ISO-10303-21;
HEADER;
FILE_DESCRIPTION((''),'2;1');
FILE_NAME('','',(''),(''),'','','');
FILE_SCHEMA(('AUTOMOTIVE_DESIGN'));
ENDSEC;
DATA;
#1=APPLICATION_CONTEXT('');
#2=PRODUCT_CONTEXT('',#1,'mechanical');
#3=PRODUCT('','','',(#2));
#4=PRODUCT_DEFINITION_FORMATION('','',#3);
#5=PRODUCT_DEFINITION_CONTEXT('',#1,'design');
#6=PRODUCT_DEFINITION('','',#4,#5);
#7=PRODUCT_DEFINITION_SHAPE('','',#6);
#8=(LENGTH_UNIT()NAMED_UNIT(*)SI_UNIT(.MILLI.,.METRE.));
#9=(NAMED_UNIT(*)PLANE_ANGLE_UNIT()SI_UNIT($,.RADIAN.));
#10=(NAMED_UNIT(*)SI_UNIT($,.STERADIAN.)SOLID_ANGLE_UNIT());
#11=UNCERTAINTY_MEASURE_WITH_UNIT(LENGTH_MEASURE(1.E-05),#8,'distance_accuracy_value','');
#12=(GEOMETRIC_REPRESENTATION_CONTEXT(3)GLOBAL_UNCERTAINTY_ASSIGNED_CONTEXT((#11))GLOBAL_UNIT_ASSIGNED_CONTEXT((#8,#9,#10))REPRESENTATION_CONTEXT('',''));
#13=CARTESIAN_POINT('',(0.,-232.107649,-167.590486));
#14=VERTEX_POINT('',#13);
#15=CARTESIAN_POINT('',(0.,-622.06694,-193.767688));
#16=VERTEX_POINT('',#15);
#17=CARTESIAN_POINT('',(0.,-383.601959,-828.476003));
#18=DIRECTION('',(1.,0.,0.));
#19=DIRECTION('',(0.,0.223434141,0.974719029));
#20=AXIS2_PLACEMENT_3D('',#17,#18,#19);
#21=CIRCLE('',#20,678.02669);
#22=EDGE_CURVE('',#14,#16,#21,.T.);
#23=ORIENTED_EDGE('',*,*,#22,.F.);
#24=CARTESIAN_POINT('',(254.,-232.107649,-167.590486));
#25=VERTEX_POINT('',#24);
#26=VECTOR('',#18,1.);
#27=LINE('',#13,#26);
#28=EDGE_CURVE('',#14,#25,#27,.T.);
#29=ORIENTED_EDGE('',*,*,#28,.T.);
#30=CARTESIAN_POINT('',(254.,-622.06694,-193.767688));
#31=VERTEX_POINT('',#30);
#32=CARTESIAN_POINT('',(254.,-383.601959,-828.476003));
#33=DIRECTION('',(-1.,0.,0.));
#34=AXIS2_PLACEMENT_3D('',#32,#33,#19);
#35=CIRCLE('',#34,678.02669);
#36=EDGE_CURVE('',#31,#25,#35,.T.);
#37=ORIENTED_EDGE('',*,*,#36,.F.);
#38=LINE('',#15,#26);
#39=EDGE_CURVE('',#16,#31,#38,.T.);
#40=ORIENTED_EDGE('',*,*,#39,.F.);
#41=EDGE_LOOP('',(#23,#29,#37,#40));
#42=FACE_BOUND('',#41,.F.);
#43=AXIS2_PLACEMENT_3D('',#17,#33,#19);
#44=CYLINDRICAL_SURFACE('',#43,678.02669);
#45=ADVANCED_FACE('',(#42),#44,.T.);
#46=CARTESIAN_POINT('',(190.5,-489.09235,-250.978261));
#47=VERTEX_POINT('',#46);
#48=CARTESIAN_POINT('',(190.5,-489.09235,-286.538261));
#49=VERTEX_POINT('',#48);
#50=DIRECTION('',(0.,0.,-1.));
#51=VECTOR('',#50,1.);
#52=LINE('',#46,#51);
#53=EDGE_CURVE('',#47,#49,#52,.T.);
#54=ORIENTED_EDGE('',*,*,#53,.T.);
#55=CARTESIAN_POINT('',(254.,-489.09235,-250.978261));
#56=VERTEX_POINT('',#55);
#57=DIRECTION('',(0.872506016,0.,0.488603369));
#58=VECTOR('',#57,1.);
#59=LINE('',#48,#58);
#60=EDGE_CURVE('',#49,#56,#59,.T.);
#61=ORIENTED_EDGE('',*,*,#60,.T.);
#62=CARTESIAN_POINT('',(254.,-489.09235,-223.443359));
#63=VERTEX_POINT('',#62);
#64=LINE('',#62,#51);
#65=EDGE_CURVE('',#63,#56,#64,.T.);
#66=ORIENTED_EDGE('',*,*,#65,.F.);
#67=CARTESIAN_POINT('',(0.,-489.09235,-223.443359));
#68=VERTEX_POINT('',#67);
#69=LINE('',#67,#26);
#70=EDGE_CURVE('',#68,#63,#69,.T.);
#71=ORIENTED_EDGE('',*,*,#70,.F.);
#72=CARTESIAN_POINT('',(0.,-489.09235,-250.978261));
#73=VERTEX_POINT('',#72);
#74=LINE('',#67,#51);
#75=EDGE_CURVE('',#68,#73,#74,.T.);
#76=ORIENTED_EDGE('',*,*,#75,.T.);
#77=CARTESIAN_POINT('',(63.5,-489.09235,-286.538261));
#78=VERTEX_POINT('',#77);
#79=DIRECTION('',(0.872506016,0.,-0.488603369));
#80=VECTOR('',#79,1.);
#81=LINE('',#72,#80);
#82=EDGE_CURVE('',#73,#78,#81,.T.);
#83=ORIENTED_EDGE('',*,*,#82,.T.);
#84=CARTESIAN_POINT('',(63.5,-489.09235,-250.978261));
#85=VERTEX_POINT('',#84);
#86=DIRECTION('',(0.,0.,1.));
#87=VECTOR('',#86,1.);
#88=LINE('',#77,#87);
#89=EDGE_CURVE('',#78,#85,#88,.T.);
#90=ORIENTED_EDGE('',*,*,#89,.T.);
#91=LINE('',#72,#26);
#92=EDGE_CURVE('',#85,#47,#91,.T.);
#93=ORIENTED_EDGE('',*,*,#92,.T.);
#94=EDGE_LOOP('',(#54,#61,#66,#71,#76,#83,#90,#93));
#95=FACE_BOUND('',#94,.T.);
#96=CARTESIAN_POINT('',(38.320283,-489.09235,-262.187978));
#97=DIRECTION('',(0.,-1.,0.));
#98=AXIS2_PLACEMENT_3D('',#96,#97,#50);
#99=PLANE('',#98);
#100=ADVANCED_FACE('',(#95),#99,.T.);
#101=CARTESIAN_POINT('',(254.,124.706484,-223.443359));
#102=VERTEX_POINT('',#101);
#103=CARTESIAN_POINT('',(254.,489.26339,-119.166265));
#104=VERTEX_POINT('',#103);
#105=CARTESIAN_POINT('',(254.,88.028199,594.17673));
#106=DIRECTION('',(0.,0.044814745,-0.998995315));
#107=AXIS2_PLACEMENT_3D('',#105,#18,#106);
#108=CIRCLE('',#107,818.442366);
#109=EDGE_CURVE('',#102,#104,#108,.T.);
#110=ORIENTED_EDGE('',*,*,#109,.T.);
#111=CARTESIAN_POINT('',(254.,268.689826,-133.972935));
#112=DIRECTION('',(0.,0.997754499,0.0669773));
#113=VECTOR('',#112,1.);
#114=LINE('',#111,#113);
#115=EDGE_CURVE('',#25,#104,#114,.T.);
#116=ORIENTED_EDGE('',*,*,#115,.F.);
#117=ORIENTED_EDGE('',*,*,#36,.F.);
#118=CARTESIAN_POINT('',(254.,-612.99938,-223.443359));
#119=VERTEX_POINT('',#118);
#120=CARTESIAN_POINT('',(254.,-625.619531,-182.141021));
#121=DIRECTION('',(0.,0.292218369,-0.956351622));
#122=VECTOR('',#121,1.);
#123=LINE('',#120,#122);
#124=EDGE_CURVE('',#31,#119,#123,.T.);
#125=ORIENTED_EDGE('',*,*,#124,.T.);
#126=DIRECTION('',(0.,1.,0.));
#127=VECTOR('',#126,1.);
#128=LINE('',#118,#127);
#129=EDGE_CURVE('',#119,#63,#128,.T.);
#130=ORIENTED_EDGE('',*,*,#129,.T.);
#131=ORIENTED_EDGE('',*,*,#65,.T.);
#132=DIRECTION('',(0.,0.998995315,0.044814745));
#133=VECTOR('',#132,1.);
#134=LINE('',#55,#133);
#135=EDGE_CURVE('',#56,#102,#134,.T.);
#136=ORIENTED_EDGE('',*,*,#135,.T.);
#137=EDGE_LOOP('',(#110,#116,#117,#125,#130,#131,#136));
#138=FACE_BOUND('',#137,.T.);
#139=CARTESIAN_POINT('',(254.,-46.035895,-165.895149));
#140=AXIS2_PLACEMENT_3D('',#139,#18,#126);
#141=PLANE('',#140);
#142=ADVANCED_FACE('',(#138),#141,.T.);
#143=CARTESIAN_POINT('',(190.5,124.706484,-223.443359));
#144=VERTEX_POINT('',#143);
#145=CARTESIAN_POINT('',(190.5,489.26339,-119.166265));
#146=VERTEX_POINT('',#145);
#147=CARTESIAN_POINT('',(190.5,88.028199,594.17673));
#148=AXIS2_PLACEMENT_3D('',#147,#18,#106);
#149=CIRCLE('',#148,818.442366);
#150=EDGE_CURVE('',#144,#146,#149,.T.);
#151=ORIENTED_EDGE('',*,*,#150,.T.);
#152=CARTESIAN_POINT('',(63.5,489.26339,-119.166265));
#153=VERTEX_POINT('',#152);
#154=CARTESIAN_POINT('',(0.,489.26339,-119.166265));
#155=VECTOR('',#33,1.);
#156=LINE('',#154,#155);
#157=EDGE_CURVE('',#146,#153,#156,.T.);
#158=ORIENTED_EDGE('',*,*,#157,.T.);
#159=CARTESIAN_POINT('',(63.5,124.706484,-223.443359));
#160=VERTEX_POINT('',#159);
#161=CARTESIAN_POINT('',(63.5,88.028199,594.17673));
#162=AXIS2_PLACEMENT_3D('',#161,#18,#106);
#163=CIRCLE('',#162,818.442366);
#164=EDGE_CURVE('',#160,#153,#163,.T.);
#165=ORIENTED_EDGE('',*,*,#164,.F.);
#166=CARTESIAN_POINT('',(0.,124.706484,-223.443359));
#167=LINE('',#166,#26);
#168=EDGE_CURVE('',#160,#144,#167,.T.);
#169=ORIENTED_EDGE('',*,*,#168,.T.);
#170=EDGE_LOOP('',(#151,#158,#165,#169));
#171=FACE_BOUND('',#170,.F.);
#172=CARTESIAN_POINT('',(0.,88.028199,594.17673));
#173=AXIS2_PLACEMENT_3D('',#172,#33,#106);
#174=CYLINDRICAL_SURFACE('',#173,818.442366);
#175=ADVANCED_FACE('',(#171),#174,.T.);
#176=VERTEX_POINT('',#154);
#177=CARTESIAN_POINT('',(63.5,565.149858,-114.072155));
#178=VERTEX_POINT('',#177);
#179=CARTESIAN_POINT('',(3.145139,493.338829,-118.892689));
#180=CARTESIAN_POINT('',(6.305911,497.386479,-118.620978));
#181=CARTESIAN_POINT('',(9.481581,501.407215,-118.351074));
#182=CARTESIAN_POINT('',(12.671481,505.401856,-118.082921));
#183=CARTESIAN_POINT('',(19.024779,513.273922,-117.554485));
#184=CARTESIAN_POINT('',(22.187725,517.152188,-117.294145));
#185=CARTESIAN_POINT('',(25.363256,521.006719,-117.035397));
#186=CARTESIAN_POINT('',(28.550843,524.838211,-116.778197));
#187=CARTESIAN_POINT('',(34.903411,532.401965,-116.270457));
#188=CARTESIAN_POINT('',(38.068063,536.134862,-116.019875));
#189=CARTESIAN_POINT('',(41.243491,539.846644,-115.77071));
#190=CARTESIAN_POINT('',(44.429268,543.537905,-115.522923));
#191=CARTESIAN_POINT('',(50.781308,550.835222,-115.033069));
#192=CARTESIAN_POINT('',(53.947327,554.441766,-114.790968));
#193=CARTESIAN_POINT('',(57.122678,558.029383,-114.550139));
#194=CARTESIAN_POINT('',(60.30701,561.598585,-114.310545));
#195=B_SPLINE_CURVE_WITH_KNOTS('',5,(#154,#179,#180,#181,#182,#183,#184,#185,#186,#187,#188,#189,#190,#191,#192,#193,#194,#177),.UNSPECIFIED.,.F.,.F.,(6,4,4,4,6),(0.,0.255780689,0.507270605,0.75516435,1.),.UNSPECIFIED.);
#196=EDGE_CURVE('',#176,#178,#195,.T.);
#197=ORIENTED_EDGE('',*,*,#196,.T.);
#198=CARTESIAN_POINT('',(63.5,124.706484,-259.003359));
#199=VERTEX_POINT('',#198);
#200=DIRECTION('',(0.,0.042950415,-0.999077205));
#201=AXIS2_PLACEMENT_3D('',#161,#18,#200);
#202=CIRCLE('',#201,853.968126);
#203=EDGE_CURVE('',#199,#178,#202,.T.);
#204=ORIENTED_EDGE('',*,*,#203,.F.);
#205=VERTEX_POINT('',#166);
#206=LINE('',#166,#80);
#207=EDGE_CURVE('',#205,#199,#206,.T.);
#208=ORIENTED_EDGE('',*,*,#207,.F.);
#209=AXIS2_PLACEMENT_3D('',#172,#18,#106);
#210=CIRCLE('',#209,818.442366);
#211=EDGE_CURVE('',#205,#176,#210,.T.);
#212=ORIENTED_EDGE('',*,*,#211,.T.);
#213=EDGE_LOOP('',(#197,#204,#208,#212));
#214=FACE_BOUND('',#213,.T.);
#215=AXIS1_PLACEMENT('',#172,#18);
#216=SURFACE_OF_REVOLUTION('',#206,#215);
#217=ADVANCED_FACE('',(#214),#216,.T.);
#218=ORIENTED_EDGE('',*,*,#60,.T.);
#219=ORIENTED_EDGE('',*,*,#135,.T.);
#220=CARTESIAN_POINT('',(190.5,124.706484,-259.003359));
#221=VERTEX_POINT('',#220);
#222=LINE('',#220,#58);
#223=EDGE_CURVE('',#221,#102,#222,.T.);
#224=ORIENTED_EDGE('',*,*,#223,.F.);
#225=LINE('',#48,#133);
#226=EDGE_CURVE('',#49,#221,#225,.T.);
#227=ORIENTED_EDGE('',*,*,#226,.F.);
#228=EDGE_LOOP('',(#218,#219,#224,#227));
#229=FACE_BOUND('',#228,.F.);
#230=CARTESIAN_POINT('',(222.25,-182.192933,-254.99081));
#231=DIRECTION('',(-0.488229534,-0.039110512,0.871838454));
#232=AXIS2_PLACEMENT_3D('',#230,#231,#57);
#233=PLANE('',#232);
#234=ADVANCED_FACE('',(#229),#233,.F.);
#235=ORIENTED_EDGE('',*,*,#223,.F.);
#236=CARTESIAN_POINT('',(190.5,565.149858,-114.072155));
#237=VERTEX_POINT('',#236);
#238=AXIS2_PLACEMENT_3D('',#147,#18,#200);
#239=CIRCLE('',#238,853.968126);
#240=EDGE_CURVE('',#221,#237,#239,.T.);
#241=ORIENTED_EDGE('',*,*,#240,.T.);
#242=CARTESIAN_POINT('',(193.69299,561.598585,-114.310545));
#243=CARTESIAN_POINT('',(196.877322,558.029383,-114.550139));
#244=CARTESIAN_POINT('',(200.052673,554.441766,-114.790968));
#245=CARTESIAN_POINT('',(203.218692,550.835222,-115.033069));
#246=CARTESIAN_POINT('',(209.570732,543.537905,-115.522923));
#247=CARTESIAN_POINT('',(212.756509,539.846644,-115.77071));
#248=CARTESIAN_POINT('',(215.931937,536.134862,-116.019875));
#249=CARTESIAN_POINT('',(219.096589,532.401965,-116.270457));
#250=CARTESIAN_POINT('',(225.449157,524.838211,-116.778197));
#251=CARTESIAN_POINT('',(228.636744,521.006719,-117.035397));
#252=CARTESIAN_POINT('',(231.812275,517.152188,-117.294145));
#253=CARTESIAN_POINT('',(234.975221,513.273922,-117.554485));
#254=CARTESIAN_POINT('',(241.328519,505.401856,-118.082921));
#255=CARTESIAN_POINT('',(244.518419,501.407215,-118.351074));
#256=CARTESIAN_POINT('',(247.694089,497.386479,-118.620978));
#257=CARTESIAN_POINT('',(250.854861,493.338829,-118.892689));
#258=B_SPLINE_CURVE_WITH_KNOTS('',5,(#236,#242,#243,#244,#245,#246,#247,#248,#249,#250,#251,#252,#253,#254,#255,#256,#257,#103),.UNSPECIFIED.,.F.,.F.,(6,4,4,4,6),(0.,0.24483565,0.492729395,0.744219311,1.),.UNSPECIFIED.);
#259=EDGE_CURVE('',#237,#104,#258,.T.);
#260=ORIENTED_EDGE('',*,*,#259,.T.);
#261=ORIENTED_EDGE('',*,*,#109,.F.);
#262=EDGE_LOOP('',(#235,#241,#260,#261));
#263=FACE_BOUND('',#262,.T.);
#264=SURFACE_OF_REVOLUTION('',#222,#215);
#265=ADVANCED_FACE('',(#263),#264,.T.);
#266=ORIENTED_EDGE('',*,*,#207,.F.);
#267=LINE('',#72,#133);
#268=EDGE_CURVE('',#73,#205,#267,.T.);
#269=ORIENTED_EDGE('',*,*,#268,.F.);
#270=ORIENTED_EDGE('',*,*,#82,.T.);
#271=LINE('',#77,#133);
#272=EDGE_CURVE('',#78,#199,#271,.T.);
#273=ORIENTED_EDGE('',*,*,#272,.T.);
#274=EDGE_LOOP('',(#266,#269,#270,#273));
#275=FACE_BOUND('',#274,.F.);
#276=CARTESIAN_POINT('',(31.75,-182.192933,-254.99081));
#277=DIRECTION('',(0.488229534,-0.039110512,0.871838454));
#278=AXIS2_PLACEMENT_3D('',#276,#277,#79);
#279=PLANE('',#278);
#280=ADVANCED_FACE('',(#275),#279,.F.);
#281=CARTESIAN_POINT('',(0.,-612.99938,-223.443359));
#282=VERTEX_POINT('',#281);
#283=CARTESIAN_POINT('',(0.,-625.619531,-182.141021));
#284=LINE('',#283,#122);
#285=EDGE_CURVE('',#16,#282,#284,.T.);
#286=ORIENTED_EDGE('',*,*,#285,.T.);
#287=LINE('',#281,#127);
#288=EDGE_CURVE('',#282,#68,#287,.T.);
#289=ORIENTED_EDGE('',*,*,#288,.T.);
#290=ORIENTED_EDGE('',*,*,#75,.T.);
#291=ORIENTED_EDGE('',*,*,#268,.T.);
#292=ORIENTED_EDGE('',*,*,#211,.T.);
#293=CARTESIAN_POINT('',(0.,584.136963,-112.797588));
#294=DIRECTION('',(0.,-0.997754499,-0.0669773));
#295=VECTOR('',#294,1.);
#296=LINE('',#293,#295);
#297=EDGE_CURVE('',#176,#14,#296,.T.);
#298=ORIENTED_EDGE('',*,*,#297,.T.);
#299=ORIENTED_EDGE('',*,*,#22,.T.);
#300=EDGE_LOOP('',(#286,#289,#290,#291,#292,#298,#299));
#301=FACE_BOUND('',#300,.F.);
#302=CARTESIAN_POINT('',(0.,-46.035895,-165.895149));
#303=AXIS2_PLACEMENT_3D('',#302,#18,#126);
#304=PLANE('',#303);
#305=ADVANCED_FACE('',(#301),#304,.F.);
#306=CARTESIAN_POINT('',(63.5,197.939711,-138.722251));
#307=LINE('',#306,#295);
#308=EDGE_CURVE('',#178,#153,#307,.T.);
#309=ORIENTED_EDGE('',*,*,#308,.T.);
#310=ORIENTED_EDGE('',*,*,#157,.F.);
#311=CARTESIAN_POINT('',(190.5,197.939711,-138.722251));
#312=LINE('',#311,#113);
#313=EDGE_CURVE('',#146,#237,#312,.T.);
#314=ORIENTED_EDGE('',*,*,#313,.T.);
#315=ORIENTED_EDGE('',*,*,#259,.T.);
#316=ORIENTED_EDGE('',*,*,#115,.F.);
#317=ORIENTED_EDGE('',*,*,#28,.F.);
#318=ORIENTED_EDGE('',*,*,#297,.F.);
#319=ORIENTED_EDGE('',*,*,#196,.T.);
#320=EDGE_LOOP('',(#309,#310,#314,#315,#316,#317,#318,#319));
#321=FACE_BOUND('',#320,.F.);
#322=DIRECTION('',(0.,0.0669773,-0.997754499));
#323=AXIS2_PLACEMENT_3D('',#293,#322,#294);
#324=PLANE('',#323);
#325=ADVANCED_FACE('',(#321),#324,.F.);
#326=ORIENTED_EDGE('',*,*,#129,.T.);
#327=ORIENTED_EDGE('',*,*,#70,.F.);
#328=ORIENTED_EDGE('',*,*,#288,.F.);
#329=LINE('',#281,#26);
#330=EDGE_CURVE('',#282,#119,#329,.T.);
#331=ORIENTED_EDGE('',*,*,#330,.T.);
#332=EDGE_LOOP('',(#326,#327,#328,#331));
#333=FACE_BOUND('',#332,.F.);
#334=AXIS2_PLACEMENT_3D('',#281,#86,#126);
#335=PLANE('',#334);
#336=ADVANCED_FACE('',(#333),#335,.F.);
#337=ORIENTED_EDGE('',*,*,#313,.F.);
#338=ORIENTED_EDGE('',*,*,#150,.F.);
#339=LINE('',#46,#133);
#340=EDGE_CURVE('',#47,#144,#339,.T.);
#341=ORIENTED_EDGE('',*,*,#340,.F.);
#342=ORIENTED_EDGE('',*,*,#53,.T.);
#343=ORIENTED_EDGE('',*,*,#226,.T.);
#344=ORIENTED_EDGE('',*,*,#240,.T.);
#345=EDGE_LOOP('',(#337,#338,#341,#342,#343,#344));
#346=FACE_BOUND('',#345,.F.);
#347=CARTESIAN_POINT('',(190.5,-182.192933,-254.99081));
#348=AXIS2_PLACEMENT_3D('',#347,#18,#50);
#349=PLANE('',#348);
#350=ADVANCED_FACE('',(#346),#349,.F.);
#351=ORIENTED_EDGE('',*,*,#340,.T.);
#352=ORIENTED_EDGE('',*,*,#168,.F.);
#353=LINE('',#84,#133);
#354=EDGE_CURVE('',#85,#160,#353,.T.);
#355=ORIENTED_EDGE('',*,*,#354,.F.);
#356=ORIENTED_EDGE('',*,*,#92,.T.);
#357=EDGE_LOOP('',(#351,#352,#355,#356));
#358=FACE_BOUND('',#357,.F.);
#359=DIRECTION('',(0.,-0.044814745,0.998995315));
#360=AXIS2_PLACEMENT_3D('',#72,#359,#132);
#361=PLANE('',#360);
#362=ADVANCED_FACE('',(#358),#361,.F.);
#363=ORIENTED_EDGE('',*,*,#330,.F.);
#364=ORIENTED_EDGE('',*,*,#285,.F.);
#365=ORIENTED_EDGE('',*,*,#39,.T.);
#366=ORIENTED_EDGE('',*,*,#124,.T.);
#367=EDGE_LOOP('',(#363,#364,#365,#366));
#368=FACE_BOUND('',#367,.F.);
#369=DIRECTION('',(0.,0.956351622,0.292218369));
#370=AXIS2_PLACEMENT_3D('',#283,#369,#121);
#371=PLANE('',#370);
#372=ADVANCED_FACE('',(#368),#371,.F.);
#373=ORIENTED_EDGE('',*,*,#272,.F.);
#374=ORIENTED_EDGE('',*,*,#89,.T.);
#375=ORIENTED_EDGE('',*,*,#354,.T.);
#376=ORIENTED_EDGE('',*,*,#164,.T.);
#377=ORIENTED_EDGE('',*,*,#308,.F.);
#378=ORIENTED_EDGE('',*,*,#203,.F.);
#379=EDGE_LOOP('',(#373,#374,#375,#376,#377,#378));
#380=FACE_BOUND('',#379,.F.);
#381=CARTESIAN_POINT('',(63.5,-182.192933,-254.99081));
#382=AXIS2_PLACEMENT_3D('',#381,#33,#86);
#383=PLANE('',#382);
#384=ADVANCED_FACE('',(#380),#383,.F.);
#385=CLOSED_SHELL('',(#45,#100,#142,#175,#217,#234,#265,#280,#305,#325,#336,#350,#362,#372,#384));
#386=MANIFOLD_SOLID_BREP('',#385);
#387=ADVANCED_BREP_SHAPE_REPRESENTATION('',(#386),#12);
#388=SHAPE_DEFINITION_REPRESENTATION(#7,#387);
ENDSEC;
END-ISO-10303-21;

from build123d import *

# Parameters (mm, degrees)
F1_DEPTH = 254
F5_DEPTH = 307.34


with BuildPart() as f1:
    # F0 (on Right) → F1 (new body)
    with BuildSketch(Plane.YZ):
        with BuildLine():
            ThreePointArc((124.7064843774, -223.4433591366), (347.4699832399, -182.0563968003), (550.3501296043, -81.1797231436))
            Line((550.3501296043, -81.1797231436), (-238.9836609364, -132.8076571226))
            ThreePointArc((-238.9836609364, -132.8076571226), (-435.8096530096, -129.9809624391), (-625.6195306778, -182.1410208941))
            Line((-625.6195306778, -182.1410208941), (-612.9993796349, -223.4433591366))
            Line((-612.9993796349, -223.4433591366), (-489.0923500061, -223.4433591366))
            Line((-489.0923500061, -223.4433591366), (-489.0923500061, -250.9782612324))
            Line((-489.0923500061, -250.9782612324), (124.7064843774, -223.4433591366))
        make_face()
    extrude(amount=F1_DEPTH)

    # F3: sweep along a path in F3_path
    with BuildLine(Plane(origin=(0, 124.7064843774, -223.4433591366), x_dir=(0, 0, -1), z_dir=(-1, 0, 0))) as f3_path:
        Line((27.5349020958, 613.7988343835), (0, 0))
        ThreePointArc((0, 0), (-41.3869623363, -222.7634988625), (-142.263635993, -425.643645227))
    # F2 (on face) → F3 (sweep)
    with BuildSketch(Plane.XZ.offset(489.0923500061)):
        Polygon((63.5, -286.5382612324), (63.5, -250.9782612324), (0, -250.9782612324), align=None)
        Polygon((254, -250.9782612324), (190.5, -250.9782612324), (190.5, -286.5382612324), align=None)
    sweep(path=f3_path.line)

    # F4 (on face) → F5 (cut)
    with BuildSketch(Plane(origin=(0, 0, 0), x_dir=(0, -1, 0), z_dir=(-1, 0, 0))):
        with BuildLine():
            Line((622.0669402345, -193.7676877722), (640.6544446945, -195.0154304504))
            Line((640.6544446945, -195.0154304504), (549.1129755974, -11.9324130937))
            Line((549.1129755974, -11.9324130937), (-511.2428665161, 10.9529634938))
            Line((-511.2428665161, 10.9529634938), (-584.1369628906, -112.79758811))
            Line((-584.1369628906, -112.79758811), (232.107648548, -167.5904861977))
            ThreePointArc((232.107648548, -167.5904861977), (429.0143567126, -151.9718221639), (622.0669402345, -193.7676877722))
        make_face()
    extrude(amount=-F5_DEPTH, mode=Mode.SUBTRACT)


solid = f1.part
